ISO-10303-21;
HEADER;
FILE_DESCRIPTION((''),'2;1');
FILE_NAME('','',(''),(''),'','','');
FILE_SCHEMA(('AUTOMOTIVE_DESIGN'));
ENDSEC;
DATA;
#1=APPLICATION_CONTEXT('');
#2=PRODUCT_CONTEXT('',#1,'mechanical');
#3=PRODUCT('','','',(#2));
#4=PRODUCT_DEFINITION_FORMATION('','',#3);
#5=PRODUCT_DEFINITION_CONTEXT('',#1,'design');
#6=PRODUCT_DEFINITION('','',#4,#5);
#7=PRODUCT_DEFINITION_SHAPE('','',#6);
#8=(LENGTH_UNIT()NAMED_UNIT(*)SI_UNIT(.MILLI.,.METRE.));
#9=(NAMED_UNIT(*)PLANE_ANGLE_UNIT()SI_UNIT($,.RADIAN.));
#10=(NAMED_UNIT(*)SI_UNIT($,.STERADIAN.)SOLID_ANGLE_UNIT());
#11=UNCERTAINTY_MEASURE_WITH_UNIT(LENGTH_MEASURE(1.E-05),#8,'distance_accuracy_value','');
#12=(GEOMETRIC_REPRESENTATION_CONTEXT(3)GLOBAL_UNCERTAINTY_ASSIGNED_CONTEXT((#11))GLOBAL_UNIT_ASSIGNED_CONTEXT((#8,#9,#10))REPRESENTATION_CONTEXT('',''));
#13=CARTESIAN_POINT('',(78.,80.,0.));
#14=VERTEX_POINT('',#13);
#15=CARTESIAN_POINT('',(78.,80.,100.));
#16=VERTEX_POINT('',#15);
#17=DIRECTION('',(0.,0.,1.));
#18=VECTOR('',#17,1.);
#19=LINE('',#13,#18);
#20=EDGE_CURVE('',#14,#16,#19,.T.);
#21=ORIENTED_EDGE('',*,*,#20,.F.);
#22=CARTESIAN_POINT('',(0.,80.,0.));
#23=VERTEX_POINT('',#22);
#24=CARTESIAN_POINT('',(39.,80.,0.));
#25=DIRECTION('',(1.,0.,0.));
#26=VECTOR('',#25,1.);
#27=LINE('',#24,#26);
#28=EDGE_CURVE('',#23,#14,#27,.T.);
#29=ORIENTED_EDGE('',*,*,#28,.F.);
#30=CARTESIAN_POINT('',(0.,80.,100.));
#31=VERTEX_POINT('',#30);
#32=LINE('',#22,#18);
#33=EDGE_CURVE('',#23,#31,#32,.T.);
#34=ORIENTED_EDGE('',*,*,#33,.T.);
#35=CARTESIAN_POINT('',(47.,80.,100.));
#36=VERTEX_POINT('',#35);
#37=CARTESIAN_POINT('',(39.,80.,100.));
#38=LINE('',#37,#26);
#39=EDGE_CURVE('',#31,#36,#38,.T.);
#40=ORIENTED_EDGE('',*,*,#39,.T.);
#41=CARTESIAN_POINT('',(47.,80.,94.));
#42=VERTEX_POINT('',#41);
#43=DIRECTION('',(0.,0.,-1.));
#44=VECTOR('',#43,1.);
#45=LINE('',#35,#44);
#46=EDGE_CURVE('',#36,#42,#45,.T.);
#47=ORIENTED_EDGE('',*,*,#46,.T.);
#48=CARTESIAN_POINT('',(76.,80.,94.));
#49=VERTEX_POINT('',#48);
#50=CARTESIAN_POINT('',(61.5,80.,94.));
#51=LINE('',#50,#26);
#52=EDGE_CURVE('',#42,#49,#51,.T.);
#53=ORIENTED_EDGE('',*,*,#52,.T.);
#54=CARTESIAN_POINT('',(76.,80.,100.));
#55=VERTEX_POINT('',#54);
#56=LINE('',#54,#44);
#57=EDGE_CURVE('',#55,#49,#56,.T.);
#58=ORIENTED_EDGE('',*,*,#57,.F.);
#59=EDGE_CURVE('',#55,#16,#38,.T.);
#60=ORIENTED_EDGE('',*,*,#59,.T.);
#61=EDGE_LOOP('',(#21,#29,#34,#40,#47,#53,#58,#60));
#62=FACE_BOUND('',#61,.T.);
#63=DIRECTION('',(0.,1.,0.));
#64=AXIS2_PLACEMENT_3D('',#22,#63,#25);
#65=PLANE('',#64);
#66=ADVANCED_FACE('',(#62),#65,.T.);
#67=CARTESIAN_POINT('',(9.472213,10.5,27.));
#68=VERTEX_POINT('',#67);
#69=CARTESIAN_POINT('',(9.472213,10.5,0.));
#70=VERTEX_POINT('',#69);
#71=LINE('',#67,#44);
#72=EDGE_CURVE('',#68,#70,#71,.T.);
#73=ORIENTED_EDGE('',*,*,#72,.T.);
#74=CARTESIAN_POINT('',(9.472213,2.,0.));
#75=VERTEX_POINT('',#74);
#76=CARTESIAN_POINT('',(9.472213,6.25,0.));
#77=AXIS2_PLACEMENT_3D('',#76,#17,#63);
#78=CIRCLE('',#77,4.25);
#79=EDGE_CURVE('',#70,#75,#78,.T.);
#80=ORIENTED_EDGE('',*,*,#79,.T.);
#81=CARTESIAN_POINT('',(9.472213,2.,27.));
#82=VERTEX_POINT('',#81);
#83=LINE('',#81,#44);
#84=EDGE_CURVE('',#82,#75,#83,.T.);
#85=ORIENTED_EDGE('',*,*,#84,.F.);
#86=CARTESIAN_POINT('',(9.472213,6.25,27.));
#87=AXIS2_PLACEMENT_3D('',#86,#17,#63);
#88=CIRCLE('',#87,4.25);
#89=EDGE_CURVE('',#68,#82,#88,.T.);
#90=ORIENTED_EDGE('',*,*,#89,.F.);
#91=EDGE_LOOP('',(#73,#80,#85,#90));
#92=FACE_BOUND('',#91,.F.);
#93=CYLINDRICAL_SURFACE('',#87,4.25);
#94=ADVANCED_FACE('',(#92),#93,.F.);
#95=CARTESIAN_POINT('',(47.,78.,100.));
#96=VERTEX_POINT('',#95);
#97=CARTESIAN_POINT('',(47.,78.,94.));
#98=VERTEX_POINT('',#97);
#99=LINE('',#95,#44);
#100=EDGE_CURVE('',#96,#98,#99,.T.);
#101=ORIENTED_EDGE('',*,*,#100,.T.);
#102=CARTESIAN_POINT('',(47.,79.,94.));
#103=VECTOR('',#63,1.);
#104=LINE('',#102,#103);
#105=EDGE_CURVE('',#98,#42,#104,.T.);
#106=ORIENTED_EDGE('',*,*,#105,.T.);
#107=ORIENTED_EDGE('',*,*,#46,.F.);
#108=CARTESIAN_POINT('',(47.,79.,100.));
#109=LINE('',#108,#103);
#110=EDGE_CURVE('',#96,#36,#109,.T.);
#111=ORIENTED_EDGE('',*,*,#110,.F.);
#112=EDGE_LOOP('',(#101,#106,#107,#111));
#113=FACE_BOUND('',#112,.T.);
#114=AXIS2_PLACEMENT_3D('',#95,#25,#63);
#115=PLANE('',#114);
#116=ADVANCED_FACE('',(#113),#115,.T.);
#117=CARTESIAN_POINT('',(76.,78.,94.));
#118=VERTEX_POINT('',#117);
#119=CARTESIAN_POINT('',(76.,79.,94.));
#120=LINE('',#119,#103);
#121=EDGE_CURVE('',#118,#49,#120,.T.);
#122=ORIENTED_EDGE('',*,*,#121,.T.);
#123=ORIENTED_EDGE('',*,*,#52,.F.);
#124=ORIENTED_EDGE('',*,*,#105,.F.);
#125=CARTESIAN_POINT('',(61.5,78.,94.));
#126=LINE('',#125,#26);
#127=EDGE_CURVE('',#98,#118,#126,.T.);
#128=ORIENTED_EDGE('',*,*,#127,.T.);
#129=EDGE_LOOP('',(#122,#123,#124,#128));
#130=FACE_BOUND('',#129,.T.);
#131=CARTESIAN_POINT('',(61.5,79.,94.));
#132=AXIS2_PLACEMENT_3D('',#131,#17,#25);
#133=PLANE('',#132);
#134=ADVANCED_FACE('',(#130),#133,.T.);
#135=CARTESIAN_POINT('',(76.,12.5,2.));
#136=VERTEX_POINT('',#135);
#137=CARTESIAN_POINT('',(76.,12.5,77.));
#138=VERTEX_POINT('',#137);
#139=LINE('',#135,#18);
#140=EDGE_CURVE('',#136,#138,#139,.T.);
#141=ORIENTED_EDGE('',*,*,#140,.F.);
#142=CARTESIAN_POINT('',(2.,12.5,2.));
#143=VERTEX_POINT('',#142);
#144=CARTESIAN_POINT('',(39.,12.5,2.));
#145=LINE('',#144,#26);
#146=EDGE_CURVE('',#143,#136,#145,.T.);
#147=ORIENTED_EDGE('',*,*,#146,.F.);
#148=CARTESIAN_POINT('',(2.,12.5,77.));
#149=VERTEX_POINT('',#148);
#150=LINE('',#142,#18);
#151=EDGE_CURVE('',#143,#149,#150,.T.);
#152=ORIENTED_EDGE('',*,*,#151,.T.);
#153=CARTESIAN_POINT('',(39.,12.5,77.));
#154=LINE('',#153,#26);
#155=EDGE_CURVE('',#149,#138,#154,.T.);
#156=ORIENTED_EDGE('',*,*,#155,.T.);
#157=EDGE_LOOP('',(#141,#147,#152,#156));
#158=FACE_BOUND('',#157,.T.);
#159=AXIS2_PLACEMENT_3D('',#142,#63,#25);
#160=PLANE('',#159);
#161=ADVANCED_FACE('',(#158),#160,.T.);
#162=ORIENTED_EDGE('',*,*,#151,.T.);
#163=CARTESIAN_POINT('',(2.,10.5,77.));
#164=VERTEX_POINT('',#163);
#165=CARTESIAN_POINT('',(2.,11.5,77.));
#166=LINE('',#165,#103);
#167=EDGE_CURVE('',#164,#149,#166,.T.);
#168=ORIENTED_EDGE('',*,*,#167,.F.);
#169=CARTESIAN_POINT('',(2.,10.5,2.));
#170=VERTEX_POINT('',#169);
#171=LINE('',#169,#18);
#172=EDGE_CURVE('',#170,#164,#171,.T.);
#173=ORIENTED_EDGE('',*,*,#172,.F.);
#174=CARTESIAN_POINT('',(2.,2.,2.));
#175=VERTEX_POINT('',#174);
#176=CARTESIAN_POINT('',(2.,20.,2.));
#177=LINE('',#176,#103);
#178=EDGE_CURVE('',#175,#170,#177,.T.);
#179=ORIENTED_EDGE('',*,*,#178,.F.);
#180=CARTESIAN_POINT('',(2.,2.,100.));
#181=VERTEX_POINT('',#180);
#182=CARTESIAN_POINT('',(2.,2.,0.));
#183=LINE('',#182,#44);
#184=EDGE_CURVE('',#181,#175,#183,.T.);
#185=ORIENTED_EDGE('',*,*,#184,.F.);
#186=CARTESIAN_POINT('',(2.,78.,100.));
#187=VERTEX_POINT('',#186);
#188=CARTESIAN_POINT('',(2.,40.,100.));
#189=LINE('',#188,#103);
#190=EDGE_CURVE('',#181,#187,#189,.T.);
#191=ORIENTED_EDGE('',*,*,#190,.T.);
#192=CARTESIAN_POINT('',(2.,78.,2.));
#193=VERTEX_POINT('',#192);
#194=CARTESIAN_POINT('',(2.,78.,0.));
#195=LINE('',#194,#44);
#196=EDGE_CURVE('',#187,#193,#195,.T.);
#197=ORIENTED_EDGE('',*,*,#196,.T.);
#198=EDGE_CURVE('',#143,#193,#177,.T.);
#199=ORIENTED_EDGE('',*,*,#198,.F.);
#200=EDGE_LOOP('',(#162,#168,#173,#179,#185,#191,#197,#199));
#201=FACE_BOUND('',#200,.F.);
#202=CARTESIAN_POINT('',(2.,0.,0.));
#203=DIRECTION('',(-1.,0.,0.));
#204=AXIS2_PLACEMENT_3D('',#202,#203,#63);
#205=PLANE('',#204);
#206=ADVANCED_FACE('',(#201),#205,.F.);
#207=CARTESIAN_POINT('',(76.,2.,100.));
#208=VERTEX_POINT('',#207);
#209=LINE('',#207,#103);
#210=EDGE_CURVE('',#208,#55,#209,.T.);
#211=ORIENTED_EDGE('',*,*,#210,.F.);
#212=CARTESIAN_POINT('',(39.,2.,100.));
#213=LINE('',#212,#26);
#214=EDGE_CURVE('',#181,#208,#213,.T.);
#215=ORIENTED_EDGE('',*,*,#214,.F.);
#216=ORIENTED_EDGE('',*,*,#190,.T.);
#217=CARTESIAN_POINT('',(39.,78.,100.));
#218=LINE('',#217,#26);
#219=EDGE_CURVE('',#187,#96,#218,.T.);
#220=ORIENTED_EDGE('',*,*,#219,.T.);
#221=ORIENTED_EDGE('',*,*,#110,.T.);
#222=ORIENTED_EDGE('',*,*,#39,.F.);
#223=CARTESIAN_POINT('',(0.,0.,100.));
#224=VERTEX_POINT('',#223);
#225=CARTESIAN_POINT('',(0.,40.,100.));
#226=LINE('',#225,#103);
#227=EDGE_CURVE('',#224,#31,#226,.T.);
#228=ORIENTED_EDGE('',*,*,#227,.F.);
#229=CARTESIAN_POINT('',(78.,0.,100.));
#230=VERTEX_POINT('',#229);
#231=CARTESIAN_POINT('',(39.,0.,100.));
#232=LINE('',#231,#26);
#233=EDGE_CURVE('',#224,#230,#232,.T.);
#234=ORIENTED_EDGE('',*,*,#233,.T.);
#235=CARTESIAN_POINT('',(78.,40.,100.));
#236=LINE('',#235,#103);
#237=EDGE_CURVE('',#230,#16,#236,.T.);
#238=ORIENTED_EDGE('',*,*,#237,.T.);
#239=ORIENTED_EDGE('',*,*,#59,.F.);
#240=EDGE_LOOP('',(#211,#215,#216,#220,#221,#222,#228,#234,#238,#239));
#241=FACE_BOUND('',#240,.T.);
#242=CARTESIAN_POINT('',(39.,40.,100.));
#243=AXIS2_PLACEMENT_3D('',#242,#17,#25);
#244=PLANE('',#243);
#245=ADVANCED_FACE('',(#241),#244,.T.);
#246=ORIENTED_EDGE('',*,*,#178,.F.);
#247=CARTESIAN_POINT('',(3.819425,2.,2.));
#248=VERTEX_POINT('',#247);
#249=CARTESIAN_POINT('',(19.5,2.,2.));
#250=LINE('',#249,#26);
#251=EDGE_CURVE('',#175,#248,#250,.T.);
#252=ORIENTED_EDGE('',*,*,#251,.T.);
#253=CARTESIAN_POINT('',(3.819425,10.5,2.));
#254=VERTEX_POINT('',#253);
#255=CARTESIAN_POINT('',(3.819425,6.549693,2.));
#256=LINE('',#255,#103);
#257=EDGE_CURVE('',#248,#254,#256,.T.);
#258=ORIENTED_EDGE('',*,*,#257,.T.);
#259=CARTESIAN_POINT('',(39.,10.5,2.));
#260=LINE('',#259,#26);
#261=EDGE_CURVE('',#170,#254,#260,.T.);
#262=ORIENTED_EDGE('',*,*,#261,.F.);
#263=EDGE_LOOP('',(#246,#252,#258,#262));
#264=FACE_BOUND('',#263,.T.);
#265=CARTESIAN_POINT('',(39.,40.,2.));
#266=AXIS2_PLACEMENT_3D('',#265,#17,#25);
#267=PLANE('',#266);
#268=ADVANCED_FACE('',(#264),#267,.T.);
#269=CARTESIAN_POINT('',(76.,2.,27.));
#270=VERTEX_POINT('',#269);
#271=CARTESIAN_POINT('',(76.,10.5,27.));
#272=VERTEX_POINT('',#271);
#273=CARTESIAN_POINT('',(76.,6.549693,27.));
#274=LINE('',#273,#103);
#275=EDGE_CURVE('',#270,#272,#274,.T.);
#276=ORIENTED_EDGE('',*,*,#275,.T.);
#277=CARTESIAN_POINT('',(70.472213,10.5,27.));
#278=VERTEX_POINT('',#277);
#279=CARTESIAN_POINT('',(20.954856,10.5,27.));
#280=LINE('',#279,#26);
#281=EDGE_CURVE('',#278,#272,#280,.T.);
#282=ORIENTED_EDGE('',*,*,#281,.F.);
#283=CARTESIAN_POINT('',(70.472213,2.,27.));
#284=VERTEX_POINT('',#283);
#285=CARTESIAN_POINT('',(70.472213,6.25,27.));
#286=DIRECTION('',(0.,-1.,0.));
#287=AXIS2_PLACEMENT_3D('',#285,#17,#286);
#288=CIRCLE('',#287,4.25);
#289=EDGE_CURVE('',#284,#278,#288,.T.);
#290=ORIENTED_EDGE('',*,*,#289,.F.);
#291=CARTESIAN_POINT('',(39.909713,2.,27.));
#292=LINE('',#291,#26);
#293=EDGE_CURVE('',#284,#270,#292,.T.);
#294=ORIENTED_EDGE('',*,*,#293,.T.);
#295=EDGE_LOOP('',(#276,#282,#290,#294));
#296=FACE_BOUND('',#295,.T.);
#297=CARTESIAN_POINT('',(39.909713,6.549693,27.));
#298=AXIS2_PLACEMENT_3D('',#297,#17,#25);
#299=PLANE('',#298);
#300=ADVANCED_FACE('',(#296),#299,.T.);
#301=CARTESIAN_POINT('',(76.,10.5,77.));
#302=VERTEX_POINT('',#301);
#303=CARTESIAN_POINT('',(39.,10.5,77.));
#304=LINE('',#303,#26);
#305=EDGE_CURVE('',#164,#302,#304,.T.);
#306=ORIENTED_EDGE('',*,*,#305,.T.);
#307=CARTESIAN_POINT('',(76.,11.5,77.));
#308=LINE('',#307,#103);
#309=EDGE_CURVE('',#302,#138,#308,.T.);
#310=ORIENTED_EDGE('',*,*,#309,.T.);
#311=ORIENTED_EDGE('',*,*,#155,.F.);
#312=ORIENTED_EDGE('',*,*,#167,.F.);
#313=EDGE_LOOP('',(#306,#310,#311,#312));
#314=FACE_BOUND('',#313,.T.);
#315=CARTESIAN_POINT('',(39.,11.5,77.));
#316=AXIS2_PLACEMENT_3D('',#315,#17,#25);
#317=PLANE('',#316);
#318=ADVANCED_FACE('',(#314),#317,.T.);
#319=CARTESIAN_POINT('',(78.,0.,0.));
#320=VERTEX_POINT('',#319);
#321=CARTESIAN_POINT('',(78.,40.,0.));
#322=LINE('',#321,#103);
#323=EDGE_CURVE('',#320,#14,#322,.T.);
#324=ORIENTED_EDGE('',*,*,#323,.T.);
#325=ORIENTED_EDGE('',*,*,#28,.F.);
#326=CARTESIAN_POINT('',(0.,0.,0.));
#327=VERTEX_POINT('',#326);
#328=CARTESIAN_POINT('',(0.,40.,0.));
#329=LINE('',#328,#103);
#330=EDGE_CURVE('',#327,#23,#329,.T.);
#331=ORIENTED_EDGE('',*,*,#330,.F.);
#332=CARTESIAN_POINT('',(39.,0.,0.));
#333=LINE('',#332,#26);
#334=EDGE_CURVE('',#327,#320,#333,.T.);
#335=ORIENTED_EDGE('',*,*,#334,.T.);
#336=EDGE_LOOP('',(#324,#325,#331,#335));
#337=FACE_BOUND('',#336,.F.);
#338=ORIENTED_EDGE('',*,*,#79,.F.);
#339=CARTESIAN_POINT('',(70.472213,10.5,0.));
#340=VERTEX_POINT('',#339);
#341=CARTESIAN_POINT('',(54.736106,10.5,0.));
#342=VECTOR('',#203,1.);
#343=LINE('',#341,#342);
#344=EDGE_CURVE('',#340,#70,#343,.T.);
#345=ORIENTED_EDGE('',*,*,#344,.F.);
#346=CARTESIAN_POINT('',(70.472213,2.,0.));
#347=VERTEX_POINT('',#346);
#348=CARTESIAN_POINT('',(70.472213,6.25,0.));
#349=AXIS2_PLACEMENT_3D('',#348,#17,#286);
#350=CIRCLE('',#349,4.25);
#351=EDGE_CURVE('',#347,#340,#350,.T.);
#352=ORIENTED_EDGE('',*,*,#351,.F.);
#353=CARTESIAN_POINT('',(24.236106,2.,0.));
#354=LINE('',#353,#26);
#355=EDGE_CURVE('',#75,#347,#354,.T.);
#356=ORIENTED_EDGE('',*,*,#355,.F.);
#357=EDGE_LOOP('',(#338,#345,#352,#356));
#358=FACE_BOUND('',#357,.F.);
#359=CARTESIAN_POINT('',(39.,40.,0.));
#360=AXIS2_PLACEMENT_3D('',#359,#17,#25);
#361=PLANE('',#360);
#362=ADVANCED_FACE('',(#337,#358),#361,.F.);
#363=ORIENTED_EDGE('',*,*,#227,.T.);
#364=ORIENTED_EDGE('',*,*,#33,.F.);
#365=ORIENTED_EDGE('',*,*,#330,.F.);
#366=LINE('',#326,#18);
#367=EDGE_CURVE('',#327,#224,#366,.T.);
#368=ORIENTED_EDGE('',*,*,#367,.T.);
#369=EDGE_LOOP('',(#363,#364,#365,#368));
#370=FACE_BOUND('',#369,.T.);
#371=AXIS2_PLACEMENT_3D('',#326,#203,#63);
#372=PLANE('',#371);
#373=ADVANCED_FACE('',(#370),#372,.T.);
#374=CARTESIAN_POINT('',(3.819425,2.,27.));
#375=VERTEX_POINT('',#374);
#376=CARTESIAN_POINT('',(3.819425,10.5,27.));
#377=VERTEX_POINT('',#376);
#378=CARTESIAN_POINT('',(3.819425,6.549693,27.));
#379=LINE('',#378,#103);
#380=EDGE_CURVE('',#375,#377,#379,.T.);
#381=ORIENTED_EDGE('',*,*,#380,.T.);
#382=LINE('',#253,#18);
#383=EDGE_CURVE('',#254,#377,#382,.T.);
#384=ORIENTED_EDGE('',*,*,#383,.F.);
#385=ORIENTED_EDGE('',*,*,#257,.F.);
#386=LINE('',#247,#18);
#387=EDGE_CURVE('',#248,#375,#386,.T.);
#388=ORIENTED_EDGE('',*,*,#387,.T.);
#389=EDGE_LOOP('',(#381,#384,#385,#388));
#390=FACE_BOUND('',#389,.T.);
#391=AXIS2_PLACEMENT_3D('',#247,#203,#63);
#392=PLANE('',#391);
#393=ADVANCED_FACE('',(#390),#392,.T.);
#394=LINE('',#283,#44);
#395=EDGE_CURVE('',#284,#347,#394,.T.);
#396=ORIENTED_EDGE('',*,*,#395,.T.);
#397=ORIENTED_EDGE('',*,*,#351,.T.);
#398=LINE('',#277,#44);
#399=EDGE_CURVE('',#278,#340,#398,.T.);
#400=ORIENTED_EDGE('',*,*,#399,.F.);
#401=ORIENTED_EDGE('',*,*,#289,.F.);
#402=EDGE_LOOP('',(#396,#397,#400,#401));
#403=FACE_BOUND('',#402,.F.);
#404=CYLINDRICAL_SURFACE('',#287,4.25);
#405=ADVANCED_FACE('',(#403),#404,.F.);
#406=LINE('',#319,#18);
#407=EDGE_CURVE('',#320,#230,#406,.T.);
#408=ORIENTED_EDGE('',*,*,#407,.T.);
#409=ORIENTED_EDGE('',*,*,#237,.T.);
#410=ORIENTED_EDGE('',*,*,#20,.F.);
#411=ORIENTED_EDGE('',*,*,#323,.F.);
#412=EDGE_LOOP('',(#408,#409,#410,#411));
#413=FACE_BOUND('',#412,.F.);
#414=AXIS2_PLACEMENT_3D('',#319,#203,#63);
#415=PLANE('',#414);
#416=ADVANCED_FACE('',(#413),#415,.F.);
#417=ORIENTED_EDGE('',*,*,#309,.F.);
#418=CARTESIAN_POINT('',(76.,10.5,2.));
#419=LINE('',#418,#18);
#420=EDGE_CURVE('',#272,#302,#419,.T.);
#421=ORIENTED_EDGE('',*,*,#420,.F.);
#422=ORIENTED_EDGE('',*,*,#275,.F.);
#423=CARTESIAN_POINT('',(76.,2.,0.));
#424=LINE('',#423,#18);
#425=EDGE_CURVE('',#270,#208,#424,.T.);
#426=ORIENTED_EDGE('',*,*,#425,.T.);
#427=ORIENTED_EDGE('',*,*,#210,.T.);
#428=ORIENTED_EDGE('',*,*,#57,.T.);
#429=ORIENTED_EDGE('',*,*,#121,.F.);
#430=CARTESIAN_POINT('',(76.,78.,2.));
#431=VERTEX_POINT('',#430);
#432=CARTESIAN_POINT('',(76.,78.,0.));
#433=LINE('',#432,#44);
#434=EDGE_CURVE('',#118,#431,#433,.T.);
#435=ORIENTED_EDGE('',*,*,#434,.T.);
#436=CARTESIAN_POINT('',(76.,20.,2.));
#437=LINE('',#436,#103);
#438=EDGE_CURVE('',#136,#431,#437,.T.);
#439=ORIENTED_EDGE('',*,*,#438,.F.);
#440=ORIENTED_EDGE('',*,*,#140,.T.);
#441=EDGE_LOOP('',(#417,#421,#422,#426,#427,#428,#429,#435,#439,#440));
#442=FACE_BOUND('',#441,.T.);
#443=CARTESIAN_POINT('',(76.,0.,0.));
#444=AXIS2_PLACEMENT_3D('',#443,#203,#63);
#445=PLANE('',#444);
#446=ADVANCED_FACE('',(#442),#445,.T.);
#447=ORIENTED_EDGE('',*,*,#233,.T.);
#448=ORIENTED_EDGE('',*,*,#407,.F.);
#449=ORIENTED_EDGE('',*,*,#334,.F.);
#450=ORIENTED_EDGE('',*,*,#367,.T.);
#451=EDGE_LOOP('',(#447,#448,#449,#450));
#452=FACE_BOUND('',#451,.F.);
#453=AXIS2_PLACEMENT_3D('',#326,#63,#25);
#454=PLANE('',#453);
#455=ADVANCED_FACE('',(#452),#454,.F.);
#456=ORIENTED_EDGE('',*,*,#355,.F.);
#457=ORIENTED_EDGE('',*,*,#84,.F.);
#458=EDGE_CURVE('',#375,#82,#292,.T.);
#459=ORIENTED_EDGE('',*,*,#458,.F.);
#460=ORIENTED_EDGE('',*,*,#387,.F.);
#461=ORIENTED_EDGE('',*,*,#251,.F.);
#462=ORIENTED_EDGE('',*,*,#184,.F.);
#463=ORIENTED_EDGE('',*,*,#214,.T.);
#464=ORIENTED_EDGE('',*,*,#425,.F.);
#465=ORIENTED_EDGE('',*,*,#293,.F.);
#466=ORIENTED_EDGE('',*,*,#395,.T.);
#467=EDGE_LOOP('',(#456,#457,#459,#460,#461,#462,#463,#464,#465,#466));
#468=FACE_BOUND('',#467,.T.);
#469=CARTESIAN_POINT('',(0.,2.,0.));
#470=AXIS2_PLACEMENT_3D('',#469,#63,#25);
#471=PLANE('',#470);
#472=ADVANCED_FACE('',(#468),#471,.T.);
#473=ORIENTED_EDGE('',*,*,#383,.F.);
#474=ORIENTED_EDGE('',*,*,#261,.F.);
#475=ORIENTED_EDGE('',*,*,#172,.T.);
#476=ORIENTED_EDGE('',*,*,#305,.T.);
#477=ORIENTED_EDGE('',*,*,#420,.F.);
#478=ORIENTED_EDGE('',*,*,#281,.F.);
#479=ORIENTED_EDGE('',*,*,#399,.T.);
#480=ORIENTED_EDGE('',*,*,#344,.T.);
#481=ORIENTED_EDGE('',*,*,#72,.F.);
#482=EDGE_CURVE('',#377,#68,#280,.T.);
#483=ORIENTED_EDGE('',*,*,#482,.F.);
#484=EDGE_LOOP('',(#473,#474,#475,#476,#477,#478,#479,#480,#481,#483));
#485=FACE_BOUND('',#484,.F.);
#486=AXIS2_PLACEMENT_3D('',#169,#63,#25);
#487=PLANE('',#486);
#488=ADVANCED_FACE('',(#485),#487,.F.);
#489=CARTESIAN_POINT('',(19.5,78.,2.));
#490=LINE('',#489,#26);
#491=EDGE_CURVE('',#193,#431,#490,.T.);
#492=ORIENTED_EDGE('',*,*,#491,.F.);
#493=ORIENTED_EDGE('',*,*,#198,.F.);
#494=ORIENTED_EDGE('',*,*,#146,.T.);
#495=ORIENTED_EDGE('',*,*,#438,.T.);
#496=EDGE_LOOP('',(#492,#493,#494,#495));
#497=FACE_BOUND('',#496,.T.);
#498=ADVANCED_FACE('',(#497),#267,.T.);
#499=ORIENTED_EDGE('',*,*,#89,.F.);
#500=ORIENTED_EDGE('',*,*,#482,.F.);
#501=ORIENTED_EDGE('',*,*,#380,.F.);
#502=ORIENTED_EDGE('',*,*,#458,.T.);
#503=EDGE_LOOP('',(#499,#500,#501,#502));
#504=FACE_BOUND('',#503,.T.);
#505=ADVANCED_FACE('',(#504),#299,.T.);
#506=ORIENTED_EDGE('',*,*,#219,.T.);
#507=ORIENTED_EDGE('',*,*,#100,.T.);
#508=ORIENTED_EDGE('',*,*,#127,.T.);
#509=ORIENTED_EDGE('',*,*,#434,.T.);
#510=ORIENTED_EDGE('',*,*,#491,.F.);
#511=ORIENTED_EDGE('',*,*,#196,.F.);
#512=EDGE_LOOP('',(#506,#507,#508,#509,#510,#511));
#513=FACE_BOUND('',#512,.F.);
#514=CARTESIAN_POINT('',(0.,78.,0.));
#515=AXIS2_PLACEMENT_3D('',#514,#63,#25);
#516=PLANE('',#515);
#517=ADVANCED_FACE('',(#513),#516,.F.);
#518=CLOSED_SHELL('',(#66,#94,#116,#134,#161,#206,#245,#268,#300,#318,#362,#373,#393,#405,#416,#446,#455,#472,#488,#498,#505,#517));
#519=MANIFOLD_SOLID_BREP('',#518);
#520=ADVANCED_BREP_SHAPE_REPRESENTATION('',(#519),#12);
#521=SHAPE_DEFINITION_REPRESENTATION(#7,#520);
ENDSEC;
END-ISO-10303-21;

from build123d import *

# Parameters (mm, degrees)
F0_W      = 78
F0_H      = 80
F1_DEPTH  = 100
F2_T      = -2
F3_W      = 74
F3_H      = 2
F4_DEPTH  = 75
F5_W      = 72.1805748753
F5_H      = 9.0993850976
F6_DEPTH  = 25
F8_DEPTH  = 38.5
F9_W      = 29
F9_H      = 2
F10_DEPTH = 6


with BuildPart() as f1:
    # F0 (on Top) → F1 (new body)
    with BuildSketch(Plane.XY):
        with Locations((39, 40)):
            Rectangle(F0_W, F0_H)
    extrude(amount=F1_DEPTH)

    # F2
    f2_openings = [f1.faces().sort_by_distance(p)[0] for p in [
        (39, 40, 100),
    ]]
    offset(amount=F2_T, openings=f2_openings)

    # F3 (on face) → F4 (join)
    with BuildSketch(Plane.XY.offset(2)):
        with Locations((39, 11.5)):
            Rectangle(F3_W, F3_H)
    extrude(amount=F4_DEPTH)

    # F5 (on face) → F6 (join)
    with BuildSketch(Plane.XY.offset(2)):
        with Locations((39.9097125623, 6.5496925488)):
            Rectangle(F5_W, F5_H)
    extrude(amount=F6_DEPTH)

    # F7 (on face) → F8 (cut)
    with BuildSketch(Plane.XY.offset(27)):
        with BuildLine():
            Line((70.4722125623, 10.5), (9.4722125623, 10.5))
            ThreePointArc((9.4722125623, 10.5), (5.2222125623, 6.25), (9.4722125623, 2))
            Line((9.4722125623, 2), (70.4722125623, 2))
            ThreePointArc((70.4722125623, 2), (74.7222125623, 6.25), (70.4722125623, 10.5))
        make_face()
    extrude(amount=-F8_DEPTH, mode=Mode.SUBTRACT)

    # F9 (on face) → F10 (cut)
    with BuildSketch(Plane.XY.offset(100)):
        with Locations((61.5, 79)):
            Rectangle(F9_W, F9_H)
    extrude(amount=-F10_DEPTH, mode=Mode.SUBTRACT)


solid = f1.part
